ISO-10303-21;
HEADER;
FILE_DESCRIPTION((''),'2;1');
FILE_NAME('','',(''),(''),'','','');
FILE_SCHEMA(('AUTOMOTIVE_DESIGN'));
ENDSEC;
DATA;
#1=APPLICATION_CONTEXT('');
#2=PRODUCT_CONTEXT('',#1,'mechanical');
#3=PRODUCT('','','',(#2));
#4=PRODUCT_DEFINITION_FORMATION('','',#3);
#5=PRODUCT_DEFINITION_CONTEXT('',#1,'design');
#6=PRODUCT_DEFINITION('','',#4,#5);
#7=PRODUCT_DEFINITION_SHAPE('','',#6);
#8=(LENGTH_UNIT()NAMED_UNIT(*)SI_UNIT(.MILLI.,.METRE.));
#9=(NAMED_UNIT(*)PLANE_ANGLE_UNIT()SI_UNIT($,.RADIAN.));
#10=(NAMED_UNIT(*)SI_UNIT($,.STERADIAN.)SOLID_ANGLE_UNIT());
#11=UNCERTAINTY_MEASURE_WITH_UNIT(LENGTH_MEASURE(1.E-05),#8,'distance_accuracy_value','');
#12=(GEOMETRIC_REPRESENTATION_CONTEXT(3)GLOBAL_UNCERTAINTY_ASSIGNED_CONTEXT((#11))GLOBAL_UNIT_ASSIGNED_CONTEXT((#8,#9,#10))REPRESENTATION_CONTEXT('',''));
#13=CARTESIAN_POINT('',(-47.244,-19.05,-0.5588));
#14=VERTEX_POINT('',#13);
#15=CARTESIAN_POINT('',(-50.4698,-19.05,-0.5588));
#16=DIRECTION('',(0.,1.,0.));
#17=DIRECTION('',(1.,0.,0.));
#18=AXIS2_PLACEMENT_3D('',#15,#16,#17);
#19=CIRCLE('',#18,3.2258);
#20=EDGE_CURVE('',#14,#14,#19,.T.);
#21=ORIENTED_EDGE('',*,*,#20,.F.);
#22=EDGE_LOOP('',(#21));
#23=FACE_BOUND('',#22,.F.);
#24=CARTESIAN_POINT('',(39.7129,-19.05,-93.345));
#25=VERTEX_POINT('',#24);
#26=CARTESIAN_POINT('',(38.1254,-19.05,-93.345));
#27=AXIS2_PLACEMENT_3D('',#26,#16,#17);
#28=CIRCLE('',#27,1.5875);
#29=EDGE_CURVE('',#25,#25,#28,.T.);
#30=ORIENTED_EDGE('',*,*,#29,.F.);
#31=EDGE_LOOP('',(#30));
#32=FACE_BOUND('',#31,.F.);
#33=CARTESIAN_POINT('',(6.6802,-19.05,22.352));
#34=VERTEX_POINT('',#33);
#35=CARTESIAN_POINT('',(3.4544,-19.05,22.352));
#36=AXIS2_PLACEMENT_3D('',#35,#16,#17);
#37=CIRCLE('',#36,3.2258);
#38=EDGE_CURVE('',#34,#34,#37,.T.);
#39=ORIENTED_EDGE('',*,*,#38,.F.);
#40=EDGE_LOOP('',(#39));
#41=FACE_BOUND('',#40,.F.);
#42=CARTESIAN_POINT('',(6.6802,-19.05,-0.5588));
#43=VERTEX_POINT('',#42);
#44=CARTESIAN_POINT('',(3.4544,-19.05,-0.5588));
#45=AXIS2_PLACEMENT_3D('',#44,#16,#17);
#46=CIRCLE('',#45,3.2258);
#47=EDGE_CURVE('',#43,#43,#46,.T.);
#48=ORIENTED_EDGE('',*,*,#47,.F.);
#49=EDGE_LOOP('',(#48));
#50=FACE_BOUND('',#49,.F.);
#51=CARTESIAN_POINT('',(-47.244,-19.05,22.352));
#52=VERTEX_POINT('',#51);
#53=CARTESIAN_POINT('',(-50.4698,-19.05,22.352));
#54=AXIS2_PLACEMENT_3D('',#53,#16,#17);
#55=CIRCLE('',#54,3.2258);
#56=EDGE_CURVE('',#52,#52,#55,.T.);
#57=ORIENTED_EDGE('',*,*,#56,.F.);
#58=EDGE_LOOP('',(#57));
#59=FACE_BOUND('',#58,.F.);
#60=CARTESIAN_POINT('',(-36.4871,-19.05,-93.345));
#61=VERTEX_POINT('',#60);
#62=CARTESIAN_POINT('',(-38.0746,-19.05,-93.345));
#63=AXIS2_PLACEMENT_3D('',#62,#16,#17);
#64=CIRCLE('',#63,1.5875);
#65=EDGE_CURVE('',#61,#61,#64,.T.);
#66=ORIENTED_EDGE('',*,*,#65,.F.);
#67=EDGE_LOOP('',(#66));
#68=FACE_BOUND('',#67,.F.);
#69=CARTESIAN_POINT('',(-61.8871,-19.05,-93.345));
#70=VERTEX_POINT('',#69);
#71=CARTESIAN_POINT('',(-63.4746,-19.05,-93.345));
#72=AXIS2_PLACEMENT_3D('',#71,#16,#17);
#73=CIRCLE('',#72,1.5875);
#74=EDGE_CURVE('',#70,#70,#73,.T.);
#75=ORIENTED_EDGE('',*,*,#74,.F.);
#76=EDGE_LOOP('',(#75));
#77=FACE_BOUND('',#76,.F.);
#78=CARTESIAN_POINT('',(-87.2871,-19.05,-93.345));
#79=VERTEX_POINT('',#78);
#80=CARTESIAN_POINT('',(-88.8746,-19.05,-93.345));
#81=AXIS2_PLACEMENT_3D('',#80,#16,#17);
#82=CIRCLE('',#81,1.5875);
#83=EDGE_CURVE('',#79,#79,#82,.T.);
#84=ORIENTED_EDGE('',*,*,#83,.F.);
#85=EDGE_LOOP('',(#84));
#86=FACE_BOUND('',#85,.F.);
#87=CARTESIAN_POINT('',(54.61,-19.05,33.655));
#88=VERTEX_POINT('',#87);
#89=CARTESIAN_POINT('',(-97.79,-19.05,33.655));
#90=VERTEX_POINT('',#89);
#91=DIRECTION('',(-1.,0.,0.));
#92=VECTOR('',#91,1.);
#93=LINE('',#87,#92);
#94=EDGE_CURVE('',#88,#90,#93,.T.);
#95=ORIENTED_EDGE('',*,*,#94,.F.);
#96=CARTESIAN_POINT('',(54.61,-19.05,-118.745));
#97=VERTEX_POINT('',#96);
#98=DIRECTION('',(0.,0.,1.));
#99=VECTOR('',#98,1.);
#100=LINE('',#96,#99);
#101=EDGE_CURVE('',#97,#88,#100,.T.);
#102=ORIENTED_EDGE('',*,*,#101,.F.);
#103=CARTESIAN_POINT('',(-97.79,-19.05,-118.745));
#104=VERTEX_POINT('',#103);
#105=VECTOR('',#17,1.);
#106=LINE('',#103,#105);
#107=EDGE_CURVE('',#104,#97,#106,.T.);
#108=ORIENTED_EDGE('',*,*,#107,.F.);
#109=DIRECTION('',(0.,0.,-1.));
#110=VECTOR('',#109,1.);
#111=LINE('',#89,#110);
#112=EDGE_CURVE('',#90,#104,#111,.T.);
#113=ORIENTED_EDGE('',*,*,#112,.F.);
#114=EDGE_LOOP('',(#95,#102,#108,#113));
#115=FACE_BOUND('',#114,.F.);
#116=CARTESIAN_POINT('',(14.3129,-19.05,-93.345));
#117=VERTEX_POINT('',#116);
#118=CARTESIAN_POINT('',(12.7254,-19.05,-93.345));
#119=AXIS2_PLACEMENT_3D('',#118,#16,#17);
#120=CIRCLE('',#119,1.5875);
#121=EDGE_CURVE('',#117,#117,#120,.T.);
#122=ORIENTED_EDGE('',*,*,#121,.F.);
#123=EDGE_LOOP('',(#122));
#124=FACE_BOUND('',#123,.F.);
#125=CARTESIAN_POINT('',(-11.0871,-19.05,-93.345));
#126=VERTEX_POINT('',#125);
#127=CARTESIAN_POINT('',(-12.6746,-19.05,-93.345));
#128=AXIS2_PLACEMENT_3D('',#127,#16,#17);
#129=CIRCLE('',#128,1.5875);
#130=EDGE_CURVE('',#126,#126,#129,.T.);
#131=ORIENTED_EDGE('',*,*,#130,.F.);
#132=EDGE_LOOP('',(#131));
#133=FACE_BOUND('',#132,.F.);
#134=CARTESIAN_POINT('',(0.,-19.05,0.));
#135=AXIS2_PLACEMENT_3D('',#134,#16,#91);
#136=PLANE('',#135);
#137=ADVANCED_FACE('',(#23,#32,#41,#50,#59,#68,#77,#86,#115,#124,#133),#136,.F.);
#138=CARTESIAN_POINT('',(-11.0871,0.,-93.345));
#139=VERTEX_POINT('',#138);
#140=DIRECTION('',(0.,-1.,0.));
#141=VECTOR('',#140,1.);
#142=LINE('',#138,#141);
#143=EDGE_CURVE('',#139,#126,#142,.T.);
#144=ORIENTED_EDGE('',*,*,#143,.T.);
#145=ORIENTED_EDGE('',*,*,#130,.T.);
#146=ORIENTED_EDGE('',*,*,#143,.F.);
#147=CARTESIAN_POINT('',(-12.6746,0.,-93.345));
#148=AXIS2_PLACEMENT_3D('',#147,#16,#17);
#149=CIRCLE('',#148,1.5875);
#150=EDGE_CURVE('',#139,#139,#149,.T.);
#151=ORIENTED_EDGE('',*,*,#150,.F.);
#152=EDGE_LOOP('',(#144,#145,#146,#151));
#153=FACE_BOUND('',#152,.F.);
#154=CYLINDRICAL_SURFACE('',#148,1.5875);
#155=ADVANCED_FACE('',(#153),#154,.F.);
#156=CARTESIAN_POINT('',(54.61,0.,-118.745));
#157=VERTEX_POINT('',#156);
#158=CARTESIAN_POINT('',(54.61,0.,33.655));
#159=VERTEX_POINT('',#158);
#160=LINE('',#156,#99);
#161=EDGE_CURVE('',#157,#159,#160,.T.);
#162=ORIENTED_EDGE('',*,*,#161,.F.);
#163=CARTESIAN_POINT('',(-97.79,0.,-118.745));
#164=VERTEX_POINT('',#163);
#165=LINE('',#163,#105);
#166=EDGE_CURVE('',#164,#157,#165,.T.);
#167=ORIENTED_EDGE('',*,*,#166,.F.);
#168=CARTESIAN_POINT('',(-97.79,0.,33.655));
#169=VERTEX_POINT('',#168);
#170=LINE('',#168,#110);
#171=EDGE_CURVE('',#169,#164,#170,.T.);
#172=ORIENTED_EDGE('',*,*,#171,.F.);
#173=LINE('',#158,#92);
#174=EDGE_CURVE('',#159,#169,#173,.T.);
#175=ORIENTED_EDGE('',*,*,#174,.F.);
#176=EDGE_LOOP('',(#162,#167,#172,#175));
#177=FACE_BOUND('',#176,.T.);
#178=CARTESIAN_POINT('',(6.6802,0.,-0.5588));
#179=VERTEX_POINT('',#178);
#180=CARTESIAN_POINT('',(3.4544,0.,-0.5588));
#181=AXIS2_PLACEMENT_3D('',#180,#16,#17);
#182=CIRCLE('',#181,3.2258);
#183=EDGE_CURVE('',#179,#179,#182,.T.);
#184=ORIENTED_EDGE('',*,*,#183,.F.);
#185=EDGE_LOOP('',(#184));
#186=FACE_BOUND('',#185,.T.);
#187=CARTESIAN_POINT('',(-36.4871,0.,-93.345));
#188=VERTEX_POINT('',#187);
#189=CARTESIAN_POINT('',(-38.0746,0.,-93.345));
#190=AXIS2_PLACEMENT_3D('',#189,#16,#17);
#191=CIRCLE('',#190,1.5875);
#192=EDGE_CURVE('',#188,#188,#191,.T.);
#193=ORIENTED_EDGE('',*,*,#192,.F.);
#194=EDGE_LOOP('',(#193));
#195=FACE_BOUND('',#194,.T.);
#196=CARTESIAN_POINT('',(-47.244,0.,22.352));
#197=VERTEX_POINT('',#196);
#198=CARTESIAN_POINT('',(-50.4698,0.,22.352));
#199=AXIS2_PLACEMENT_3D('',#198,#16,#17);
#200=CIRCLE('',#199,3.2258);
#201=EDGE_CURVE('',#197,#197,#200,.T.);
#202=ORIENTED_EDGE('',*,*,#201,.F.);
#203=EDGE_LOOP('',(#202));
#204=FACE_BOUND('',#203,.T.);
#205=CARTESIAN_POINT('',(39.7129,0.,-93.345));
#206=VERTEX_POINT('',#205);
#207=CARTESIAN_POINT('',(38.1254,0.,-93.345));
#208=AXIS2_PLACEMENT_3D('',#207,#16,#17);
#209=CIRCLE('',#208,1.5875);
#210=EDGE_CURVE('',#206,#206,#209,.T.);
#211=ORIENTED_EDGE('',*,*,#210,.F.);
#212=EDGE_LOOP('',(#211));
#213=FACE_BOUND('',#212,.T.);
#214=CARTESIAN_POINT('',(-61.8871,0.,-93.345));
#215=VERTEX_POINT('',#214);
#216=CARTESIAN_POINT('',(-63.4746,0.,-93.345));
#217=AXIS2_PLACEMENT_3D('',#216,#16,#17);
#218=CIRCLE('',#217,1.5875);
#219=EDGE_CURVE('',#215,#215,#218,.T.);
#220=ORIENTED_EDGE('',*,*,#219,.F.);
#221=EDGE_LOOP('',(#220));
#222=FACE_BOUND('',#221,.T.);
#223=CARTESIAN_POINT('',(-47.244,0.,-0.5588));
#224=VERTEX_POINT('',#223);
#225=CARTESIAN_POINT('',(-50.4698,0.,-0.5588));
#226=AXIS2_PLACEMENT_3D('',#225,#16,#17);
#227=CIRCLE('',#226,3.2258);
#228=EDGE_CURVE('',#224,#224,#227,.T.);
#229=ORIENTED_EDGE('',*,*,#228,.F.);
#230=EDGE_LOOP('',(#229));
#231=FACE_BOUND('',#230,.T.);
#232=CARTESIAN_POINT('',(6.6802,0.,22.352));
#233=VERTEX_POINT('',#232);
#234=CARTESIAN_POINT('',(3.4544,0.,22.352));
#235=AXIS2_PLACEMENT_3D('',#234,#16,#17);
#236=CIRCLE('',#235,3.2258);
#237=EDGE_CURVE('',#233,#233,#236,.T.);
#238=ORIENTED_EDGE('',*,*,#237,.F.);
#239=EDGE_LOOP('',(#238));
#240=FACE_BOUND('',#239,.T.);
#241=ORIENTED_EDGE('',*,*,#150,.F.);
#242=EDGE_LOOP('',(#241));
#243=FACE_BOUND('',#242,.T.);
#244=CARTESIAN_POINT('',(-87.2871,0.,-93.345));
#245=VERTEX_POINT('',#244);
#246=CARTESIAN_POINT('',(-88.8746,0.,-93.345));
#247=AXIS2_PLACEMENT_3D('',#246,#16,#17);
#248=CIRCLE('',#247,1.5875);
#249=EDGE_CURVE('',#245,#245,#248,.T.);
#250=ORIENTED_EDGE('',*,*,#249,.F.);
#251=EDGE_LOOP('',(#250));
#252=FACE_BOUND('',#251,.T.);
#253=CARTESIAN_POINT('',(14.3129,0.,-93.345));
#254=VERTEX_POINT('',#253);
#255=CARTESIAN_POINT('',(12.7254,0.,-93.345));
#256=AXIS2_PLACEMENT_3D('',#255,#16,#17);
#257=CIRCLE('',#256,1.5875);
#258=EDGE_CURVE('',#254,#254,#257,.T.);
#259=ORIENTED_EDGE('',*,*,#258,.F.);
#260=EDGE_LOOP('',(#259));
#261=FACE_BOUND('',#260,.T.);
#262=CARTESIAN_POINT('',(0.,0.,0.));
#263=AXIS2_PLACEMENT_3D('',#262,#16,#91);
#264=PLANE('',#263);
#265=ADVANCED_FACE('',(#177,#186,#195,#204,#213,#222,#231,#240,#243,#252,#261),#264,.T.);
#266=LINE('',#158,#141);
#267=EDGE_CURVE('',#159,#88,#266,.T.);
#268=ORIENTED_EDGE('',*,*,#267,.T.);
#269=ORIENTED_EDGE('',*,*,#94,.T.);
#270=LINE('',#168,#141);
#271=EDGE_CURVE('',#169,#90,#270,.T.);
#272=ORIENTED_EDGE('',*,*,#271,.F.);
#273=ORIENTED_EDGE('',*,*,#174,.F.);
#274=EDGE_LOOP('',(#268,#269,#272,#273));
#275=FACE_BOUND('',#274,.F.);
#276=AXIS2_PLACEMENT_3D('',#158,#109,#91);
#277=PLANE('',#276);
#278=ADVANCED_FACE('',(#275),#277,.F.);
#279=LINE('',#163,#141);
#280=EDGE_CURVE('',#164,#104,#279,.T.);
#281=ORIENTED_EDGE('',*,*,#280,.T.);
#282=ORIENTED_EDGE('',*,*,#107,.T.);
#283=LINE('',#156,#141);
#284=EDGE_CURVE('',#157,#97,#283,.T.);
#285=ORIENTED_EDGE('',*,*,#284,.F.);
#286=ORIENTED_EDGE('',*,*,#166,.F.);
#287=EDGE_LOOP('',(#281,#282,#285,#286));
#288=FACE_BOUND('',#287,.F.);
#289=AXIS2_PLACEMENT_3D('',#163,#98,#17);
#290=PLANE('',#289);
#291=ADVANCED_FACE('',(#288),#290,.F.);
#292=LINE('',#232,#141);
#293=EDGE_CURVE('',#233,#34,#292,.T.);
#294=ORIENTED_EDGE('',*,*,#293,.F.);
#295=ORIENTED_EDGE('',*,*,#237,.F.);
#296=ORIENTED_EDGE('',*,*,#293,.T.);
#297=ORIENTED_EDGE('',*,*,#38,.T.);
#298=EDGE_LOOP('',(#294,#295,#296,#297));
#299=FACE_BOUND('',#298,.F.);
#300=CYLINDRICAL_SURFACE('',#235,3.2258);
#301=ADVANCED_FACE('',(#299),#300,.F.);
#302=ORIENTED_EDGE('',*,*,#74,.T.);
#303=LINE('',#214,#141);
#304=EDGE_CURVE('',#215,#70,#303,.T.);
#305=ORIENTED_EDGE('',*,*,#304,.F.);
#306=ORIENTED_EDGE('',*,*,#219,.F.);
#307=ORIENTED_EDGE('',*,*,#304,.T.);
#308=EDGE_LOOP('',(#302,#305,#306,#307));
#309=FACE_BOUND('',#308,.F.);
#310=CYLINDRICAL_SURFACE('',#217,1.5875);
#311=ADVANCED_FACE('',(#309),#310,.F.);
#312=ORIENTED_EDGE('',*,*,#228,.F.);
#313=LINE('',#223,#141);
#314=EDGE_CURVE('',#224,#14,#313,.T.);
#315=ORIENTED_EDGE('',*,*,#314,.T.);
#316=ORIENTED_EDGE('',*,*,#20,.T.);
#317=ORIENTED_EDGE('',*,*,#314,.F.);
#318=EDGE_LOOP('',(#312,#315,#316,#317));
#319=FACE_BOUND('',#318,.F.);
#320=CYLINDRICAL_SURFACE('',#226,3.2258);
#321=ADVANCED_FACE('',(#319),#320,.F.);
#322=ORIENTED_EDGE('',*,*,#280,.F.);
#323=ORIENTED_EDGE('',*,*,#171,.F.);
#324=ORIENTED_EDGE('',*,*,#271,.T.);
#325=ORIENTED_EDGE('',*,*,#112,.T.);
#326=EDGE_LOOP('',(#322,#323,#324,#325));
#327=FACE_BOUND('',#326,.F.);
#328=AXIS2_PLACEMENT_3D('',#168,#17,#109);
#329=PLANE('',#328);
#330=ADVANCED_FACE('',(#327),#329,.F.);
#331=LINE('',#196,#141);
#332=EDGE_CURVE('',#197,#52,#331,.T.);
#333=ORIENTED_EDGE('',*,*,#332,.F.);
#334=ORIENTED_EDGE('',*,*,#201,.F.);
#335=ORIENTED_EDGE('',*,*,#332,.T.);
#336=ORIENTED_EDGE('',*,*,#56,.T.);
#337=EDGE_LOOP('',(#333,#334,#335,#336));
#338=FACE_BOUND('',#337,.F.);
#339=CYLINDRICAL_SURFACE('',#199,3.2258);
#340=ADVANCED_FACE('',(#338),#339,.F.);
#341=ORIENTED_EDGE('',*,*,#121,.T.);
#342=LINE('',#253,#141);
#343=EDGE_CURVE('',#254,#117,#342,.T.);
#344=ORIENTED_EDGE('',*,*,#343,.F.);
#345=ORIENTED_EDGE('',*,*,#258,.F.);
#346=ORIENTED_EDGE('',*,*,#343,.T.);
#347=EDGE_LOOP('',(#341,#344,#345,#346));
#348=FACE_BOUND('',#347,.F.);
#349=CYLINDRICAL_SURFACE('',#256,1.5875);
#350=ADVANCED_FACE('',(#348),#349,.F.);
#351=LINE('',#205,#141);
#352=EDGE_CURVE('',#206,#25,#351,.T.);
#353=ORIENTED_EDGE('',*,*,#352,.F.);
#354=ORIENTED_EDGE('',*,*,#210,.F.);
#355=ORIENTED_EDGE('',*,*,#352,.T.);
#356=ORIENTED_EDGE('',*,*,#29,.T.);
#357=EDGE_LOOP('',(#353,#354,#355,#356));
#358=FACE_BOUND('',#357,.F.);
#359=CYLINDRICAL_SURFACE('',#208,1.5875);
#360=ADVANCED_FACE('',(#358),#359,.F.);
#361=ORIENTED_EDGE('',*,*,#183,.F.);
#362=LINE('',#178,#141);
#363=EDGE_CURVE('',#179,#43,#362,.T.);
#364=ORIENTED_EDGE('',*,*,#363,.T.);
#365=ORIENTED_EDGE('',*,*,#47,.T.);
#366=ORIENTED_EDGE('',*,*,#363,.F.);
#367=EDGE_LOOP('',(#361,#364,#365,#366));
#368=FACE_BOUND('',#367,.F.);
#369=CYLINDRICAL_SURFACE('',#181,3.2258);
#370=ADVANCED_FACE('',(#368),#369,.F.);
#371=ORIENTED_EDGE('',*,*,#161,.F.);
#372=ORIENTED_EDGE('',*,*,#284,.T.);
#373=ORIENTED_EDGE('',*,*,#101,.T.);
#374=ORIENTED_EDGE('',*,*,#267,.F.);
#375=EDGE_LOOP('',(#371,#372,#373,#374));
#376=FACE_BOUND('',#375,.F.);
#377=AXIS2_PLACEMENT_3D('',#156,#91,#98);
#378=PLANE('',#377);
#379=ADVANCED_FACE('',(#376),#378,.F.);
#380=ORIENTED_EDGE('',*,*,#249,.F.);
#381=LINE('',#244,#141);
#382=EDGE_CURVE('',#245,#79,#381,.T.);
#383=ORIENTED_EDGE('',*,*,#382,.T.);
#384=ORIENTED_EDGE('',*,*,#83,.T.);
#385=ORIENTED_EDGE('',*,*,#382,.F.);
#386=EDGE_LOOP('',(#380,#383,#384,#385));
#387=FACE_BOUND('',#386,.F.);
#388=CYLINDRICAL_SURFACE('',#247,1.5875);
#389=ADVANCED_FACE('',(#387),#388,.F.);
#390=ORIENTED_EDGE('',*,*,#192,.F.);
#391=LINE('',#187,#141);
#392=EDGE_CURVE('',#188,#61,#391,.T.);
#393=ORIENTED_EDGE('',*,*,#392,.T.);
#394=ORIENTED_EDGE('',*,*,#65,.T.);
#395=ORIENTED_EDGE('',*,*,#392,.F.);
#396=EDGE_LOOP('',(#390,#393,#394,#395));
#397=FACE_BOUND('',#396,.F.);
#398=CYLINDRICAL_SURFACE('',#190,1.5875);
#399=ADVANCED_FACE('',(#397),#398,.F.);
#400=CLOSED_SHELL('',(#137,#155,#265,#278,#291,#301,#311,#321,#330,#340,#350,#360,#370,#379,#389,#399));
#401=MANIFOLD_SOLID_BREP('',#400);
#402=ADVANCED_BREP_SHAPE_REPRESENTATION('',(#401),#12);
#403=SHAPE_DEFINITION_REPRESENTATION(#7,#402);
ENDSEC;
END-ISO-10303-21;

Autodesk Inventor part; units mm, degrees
ref_plane "YZ Plane" through (0, 0, 0) normal (1, 0, 0) x (0, 1, 0)
ref_plane "XZ Plane" through (0, 0, 0) normal (0, 1, 0) x (-1, 0, 0)
ref_plane "XY Plane" through (0, 0, 0) normal (0, 0, 1) x (1, 0, 0)
sketch "Sketch1" plane through (0, 0, 0) normal (0, 1, 0) x (-1, 0, 0)
  line L0 (97.79, -118.745) -> (-54.61, -118.745)
  line L1 (-54.61, -118.745) -> (-54.61, 33.655)
  line L2 (-54.61, 33.655) -> (97.79, 33.655)
  line L3 (97.79, 33.655) -> (97.79, -118.745)
  point P0 (0, 0)
  dimension "d0" = 152.4
  dimension "d1" = 152.4
extrude "Extrusion1" add sketch "Sketch1" against normal blind 19.05
sketch "Sketch2" plane through (0, 0, 0) normal (0, 1, 0) x (1, 0, 0)
  circle A0 centre (-88.8746, 93.345) radius 1.5875
  line L0 (-97.79, 118.745) -> (54.61, 118.745) projected
  line L1 (-97.79, -33.655) -> (-97.79, 118.745) projected
  point P0 (0, 0)
  dimension "d4" = 25.4
  dimension "d5" = 3.175
  dimension "d6" = 8.9154
extrude "Extrusion2" cut sketch "Sketch2" against normal blind 19.05
pattern_linear "Rectangular Pattern1" count 6 spacing 25.4 along (1, 0, 0) of "Extrusion2"
sketch "Sketch3" plane through (0, 0, 0) normal (0, 1, 0) x (1, 0, 0)
  circle A0 centre (3.4544, -22.352) radius 3.2258
  line L0 (54.61, -33.655) -> (-97.79, -33.655) projected
  line L1 (54.61, 118.745) -> (54.61, -33.655) projected
  circle A1 centre (-50.4698, -22.352) radius 3.2258
  circle A2 centre (3.4544, 0.5588) radius 3.2258
  circle A3 centre (-50.4698, 0.5588) radius 3.2258
  point P0 (0, 0)
  dimension "d12" = 11.303
  dimension "d13" = 51.1556
  dimension "d14" = 6.4516
  dimension "d15" = 53.9242
  dimension "d16" = 22.9108
  dimension "d17" = 6.4516
extrude "Extrusion3" cut sketch "Sketch3" against normal blind 25.4
equation "\"d17\" = d14"
properties part number "base of car 2"
